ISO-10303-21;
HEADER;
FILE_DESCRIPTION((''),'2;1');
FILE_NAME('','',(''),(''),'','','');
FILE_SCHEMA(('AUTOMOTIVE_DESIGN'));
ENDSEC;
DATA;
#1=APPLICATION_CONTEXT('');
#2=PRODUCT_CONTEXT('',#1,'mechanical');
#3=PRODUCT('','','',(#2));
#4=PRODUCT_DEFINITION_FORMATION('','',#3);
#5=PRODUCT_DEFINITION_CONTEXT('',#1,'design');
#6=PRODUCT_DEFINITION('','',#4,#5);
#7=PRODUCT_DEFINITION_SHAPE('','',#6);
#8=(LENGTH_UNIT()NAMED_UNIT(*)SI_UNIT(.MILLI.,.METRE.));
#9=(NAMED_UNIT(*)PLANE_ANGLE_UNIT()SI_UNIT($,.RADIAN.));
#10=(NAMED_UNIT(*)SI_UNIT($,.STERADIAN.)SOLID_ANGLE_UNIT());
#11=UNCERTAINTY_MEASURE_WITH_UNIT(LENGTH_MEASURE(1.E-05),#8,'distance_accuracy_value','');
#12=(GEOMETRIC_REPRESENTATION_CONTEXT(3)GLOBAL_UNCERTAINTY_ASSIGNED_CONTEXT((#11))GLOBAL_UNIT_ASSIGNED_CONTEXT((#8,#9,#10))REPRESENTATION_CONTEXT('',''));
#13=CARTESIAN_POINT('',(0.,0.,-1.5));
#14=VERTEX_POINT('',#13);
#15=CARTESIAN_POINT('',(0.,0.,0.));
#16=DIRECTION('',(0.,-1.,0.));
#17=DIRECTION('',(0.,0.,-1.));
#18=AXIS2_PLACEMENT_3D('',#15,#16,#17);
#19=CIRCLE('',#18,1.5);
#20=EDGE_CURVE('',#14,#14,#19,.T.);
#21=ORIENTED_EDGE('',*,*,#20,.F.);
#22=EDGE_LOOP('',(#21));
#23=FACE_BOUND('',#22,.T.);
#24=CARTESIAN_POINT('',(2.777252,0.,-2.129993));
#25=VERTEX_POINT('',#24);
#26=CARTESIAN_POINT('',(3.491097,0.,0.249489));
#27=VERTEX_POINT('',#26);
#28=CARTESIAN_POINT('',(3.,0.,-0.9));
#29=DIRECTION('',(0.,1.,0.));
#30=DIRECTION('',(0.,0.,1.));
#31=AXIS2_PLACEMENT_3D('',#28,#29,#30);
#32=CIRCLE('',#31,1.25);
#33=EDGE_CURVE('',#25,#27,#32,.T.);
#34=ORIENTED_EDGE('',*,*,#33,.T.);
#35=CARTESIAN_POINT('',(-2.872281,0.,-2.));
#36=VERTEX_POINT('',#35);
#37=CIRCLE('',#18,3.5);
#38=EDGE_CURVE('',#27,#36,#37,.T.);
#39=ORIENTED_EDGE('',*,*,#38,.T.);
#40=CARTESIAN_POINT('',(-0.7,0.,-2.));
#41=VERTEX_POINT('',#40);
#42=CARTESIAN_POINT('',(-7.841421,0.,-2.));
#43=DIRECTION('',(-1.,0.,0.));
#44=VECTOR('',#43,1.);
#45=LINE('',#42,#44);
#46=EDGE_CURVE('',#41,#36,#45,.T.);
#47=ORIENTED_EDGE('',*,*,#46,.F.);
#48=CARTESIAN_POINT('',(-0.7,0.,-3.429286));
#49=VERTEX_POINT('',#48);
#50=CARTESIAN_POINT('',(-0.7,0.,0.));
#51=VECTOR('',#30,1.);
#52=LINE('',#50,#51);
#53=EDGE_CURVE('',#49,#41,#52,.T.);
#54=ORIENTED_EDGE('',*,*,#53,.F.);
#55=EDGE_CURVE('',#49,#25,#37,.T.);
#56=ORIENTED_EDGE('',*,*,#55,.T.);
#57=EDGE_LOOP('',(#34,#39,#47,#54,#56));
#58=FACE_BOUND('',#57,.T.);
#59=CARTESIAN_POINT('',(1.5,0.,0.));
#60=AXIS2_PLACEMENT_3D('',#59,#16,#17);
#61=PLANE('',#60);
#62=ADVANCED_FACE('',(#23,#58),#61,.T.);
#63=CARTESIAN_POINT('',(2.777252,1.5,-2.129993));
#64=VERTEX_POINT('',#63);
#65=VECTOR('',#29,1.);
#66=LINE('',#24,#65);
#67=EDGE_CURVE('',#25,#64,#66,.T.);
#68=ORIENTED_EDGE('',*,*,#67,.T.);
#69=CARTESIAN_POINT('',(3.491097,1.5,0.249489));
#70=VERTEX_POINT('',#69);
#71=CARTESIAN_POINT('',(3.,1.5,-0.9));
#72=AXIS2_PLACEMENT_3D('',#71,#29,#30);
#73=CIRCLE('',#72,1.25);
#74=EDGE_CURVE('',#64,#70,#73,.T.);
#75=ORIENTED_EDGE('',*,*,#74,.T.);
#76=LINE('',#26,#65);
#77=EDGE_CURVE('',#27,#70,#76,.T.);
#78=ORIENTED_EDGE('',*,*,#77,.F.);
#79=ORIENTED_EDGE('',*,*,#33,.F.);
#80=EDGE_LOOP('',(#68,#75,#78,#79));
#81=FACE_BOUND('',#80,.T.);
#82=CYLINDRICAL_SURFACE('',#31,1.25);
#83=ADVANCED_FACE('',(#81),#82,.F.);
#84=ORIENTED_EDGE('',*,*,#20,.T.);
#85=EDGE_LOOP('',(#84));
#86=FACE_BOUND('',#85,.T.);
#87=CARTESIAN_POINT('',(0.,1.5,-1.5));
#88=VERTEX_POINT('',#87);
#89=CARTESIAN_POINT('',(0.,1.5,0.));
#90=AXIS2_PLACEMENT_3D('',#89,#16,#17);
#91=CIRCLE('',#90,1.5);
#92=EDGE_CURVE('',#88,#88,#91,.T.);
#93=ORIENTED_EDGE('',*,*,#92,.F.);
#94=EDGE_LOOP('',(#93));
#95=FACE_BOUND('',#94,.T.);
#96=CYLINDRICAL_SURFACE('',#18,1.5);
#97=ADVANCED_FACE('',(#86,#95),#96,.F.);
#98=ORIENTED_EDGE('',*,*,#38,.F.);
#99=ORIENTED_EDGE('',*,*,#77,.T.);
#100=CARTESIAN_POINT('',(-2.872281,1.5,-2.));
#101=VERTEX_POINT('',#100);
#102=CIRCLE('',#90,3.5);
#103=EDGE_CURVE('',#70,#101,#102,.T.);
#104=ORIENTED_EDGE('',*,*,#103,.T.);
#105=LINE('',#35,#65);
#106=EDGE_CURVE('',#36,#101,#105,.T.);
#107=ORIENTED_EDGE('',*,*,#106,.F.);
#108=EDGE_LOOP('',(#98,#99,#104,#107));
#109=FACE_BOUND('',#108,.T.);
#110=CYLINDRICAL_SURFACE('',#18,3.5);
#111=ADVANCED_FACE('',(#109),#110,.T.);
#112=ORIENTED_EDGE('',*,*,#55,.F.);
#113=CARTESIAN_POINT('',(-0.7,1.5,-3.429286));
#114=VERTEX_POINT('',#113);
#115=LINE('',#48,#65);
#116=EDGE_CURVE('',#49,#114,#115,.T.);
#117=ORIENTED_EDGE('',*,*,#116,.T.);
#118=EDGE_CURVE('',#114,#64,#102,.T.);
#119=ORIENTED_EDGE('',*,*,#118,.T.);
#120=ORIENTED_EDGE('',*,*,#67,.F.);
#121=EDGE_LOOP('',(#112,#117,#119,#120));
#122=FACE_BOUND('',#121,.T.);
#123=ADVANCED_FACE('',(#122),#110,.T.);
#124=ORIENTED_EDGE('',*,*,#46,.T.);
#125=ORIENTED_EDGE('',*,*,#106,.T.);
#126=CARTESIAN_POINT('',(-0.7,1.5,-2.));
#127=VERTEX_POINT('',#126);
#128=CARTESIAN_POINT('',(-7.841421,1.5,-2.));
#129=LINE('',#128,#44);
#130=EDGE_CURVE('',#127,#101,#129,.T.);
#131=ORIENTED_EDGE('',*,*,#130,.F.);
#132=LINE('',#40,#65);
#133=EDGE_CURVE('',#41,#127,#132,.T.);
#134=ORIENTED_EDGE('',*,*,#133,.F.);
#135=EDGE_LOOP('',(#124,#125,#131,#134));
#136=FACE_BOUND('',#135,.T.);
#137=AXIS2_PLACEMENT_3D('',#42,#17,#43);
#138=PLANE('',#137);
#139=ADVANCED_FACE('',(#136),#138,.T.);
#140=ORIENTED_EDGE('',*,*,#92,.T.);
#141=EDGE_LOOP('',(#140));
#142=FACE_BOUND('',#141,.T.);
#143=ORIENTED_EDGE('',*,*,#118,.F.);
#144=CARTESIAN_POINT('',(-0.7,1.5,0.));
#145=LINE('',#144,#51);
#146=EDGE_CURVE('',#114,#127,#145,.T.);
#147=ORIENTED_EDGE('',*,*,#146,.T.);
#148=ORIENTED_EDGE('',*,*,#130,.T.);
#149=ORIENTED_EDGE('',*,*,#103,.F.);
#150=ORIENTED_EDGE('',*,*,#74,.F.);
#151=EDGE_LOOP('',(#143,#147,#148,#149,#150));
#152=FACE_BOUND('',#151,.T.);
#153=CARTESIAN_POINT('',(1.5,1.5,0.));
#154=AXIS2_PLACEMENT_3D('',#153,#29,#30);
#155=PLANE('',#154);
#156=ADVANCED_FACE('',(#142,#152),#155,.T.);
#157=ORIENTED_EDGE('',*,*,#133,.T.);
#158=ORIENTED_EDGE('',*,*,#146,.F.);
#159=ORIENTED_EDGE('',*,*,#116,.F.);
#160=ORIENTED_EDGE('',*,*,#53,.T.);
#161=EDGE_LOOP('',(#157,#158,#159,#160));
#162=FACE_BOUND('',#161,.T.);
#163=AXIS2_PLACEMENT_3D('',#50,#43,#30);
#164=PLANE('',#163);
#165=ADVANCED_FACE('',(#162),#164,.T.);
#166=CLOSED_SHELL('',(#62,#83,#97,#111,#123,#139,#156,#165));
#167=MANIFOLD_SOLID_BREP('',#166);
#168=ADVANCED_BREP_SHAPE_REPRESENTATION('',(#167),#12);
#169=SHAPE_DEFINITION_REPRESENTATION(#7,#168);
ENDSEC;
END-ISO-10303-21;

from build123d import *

# Parameters (mm, degrees)
SKETCH_1_W          = 2
SKETCH_1_H          = 1.5
CUT_EXTRUDE_1_DEPTH = 6.172040216


with BuildPart() as part:
    # Эскиз1 → Повернуть1 (revolve)
    with BuildSketch(Plane.XY, mode=Mode.PRIVATE) as revolve_1_sk:
        with Locations((2.5, 0.75)):
            Rectangle(SKETCH_1_W, SKETCH_1_H)
    revolve(revolve_1_sk.sketch.rotate(Axis((0, 0, 0), (0, 1, 0)), 90), axis=Axis((0, 0, 0), (0, 1, 0)))

    # Эскиз2 → Вырез-Вытянуть1 (cut, through all)
    with BuildSketch(Plane(origin=(0, 1.5, 0), x_dir=(1, 0, 0), z_dir=(0, 1, 0))):
        with BuildLine():
            Line((-0.7, 2), (-0.7, 3.42928564))
            ThreePointArc((-0.7, 3.42928564), (-1.923801659, 2.923865109), (-2.872281323, 2))
            Line((-2.872281323, 2), (-0.7, 2))
        make_face()
        with BuildLine():
            ThreePointArc((3.491096592, -0.249488641), (3.352391998, 1.005717599), (2.777252031, 2.129993229))
            ThreePointArc((2.777252031, 2.129993229), (1.802717143, 0.540815143), (3.491096592, -0.249488641))
        make_face()
    extrude(amount=-CUT_EXTRUDE_1_DEPTH, mode=Mode.SUBTRACT)


solid = part.part
